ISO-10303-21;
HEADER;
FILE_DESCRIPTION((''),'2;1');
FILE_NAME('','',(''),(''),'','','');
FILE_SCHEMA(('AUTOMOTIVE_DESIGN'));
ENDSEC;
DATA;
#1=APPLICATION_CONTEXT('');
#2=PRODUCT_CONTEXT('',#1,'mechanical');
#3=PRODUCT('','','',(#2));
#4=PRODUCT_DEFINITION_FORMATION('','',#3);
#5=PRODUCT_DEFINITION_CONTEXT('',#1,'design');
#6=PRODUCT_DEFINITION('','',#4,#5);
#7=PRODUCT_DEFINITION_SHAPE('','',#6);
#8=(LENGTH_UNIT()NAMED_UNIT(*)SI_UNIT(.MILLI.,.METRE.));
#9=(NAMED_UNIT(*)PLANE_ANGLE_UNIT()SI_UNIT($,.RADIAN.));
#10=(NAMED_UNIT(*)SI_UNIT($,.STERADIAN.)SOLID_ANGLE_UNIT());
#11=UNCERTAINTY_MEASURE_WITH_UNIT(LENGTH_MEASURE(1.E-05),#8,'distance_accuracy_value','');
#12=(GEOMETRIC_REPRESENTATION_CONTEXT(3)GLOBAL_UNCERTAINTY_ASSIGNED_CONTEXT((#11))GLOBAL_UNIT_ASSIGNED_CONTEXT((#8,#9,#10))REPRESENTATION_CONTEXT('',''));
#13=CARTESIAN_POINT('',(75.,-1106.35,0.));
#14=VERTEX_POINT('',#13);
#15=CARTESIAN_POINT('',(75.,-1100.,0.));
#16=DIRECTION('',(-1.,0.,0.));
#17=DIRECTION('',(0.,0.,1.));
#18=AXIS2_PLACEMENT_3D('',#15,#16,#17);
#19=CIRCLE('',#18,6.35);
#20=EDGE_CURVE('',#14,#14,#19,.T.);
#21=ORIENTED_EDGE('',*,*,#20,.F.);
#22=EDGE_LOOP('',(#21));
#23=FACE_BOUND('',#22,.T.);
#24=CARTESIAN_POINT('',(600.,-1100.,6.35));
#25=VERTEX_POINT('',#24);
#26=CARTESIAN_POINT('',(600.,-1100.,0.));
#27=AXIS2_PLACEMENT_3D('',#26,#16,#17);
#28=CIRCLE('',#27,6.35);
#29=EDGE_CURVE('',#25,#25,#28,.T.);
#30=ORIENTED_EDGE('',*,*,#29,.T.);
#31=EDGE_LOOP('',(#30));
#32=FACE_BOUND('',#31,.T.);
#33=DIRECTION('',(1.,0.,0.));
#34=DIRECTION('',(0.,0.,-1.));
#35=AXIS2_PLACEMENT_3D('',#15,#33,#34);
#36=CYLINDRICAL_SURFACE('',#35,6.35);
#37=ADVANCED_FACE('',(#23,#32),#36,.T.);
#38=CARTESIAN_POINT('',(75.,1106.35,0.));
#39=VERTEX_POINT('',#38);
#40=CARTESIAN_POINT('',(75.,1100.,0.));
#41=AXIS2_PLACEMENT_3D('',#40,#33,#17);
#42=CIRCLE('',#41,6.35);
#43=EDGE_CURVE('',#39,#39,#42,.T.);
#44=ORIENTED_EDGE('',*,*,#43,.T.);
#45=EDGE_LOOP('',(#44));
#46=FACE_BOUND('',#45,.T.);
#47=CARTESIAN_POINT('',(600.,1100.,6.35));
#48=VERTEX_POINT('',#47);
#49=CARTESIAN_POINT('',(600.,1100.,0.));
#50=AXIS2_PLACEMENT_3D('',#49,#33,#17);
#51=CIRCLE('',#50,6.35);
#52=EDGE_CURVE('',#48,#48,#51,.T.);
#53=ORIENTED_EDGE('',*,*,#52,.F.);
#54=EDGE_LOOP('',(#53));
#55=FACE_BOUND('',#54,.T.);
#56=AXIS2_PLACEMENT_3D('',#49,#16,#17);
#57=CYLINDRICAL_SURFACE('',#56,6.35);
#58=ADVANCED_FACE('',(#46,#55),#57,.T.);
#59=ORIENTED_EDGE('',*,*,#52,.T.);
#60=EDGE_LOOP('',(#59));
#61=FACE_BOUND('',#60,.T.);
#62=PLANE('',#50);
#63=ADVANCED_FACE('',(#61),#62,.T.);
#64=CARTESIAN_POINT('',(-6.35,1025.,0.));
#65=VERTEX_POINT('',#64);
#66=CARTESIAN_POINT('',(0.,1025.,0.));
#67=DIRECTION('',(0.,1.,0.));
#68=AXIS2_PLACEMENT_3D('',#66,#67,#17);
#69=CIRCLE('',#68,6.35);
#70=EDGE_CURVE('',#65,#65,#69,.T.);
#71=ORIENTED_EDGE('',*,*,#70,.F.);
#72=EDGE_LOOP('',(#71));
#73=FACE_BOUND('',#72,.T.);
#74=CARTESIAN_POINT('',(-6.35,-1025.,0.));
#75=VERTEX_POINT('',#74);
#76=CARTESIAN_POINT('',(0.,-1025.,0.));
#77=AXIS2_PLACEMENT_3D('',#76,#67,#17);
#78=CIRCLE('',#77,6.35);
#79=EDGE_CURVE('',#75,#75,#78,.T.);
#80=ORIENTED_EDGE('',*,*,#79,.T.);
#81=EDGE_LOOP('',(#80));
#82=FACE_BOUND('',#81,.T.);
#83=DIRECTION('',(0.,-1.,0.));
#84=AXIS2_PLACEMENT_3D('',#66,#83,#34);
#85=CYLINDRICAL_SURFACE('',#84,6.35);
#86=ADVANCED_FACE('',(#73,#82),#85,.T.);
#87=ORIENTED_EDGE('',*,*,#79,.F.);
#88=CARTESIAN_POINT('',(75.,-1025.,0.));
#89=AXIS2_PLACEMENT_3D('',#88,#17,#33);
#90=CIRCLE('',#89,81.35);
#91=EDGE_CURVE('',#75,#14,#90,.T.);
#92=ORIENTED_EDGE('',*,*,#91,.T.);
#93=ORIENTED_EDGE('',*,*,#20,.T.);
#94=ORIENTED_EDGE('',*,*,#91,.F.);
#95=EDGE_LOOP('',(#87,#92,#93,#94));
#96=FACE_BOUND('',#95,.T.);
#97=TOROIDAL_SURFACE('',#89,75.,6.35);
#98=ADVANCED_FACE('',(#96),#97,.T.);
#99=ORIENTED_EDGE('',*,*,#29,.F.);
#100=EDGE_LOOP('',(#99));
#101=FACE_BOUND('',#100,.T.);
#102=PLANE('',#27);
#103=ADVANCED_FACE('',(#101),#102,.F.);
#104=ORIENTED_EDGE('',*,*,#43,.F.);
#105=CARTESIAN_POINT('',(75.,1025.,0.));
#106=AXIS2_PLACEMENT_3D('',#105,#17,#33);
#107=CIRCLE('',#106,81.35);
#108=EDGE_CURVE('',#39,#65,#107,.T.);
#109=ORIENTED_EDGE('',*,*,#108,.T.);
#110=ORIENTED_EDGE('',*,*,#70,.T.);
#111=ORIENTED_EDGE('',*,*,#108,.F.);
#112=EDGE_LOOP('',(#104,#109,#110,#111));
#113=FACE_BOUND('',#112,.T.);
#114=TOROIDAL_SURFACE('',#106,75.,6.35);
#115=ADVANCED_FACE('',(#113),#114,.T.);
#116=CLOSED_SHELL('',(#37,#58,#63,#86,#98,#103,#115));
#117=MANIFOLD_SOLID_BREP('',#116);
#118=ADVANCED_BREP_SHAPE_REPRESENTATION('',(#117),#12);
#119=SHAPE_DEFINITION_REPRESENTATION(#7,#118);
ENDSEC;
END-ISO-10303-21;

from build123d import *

# Parameters (mm, degrees)
SWEEP1_PROFILE_R = 6.35


with BuildPart() as part:
    # Sweep1: sweep along a path in Sketch1
    with BuildLine(Plane.XY) as sweep1_path:
        Line((600, 1100), (75, 1100))
        ThreePointArc((75, 1100), (21.966991411, 1078.033008589), (0, 1025))
        Line((0, 1025), (0, -1025))
        ThreePointArc((0, -1025), (21.966991411, -1078.033008589), (75, -1100))
        Line((75, -1100), (600, -1100))
    # Sweep1 profile (on start of the path) → Sweep1 (sweep)
    with BuildSketch(Plane(origin=(600, 1100, 0), x_dir=(0, 0, -1), z_dir=(-1, 0, 0))):
        Circle(SWEEP1_PROFILE_R)
    sweep(path=sweep1_path.line)


solid = part.part
